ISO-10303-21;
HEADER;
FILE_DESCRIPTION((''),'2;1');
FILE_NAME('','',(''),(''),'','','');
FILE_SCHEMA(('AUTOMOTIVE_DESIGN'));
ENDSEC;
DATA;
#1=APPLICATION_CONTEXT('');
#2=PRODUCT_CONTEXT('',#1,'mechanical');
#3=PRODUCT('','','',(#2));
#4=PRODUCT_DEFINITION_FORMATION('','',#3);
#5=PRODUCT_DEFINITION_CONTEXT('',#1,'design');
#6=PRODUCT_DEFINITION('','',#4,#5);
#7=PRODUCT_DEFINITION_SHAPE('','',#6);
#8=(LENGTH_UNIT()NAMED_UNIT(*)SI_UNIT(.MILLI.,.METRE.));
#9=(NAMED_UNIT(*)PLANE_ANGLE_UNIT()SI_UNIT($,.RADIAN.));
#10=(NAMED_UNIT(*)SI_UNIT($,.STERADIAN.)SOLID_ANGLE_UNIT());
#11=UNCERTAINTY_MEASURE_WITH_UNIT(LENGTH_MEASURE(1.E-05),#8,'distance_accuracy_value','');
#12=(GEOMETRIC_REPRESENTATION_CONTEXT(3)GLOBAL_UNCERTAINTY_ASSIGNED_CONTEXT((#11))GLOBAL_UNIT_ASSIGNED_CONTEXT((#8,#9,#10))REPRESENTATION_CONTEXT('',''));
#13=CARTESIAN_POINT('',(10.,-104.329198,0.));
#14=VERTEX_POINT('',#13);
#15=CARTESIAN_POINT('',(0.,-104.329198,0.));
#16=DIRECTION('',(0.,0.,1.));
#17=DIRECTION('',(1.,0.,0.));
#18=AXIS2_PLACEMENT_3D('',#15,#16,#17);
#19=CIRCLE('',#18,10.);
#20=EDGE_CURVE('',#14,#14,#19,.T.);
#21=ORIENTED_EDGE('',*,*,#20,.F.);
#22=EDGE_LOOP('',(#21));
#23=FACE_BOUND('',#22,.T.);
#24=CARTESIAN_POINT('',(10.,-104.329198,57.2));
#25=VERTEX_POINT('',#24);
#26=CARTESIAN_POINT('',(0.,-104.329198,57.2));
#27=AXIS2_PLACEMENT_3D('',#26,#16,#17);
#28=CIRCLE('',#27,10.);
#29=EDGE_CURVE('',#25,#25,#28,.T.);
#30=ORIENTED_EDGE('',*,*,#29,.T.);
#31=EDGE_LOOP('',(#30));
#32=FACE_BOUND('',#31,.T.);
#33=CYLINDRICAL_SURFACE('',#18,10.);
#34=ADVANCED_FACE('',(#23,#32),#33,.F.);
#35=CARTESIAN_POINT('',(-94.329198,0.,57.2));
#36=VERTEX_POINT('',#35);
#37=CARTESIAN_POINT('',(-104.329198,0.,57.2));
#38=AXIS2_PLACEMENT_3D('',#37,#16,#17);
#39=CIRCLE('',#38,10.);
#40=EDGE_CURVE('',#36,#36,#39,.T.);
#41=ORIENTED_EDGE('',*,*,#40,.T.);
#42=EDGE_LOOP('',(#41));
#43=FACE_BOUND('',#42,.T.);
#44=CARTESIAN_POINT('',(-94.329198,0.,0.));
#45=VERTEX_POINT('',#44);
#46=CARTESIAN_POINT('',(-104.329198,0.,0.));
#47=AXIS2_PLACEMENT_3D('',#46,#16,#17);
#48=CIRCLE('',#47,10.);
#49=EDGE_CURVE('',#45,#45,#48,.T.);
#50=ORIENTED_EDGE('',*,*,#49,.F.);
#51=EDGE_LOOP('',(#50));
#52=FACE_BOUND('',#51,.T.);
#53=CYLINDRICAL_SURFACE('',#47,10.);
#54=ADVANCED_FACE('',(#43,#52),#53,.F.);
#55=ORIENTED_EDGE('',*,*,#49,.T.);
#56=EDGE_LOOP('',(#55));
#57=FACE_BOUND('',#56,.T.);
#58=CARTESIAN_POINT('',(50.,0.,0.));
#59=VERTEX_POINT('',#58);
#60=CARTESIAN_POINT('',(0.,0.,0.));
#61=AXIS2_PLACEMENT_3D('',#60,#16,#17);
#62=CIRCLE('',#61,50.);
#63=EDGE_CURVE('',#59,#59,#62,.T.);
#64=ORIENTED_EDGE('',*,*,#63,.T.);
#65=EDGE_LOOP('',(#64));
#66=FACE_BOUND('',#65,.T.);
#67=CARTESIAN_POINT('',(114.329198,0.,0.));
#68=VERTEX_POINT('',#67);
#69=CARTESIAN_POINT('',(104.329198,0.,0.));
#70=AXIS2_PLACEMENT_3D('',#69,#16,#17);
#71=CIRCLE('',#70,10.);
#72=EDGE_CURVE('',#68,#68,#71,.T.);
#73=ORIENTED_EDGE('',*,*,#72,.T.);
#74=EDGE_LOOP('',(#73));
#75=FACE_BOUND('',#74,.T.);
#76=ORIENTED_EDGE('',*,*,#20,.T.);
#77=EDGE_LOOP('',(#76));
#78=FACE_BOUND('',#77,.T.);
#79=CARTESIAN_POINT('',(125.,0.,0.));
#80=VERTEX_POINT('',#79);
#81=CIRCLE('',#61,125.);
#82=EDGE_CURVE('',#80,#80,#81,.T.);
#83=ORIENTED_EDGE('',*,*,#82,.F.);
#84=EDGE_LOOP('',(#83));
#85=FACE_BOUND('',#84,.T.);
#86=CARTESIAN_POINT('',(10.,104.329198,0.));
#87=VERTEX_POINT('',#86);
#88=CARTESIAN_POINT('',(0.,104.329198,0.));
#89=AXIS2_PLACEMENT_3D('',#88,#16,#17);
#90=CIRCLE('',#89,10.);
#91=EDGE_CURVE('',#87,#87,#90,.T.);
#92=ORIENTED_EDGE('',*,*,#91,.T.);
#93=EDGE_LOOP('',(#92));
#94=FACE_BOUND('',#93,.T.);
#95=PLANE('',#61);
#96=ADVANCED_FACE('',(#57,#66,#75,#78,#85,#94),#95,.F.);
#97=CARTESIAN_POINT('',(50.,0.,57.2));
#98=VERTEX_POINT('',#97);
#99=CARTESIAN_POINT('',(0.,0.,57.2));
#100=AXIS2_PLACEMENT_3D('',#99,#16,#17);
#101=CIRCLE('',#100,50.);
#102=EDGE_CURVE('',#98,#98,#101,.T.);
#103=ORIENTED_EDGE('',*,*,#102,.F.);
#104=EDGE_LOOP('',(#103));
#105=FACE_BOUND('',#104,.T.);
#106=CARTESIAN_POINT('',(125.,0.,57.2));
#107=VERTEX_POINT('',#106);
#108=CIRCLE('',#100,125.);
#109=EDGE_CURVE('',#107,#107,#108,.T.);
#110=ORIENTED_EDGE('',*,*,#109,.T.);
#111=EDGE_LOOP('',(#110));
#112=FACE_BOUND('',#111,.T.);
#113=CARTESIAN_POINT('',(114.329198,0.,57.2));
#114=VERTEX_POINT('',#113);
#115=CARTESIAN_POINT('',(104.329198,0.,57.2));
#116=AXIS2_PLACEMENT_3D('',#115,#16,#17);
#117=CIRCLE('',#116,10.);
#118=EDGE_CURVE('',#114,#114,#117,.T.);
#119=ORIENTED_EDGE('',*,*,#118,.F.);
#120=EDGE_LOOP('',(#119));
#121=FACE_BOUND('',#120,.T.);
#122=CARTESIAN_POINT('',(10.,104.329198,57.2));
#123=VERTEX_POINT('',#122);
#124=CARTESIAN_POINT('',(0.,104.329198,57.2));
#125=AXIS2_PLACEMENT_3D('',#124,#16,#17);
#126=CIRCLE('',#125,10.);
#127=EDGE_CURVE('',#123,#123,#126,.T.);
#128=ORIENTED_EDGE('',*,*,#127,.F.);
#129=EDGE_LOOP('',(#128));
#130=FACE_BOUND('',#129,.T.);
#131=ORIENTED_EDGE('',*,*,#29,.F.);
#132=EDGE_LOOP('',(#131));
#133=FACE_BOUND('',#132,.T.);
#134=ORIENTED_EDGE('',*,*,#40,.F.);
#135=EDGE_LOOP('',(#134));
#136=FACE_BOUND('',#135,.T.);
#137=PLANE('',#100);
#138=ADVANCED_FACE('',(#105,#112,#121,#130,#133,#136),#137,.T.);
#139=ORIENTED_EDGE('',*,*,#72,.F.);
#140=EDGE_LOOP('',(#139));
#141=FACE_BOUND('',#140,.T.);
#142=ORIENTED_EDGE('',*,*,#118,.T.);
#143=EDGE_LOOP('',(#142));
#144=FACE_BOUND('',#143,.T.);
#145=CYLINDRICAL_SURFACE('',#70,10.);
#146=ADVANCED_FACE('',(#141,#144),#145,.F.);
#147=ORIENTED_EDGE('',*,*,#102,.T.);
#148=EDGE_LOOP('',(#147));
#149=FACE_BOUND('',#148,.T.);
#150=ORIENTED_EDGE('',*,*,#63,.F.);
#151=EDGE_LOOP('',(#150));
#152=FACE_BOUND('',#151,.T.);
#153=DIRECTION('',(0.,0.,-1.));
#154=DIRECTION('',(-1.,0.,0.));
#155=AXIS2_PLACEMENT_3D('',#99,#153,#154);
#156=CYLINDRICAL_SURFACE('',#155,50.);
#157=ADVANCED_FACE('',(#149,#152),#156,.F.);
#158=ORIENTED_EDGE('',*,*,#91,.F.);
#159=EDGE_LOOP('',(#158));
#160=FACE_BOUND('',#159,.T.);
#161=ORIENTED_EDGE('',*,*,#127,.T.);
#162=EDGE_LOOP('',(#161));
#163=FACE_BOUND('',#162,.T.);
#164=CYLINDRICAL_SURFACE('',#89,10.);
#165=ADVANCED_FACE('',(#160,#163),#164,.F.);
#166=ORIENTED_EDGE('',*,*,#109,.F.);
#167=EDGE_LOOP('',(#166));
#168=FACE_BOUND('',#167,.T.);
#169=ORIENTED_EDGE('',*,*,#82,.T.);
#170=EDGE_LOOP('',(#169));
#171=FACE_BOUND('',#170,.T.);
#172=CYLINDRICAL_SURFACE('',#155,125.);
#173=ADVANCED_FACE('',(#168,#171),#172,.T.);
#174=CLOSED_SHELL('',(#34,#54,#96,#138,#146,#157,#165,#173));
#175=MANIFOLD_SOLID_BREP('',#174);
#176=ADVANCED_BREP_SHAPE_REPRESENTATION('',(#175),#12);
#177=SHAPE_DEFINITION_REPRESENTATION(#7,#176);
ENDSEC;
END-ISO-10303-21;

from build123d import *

# Parameters (mm, degrees)
SKETCH1_R           = 125
SKETCH1_R_2         = 50
BOSS_EXTRUDE1_DEPTH = 57.2
SKETCH2_R           = 10
CUT_EXTRUDE1_DEPTH  = 57.2


with BuildPart() as part:
    # Sketch1 → Boss-Extrude1 (new body)
    with BuildSketch(Plane.XY):
        Circle(SKETCH1_R)
        Circle(SKETCH1_R_2, mode=Mode.SUBTRACT)
    extrude(amount=BOSS_EXTRUDE1_DEPTH)

    # Sketch2 → Cut-Extrude1 (cut)
    with BuildSketch(Plane.XY.offset(57.2)):
        with Locations((-104.3291977, 0)):
            Circle(SKETCH2_R)
        with Locations((0, 104.3291977)):
            Circle(SKETCH2_R)
        with Locations((104.3291977, 0)):
            Circle(SKETCH2_R)
        with Locations((0, -104.3291977)):
            Circle(SKETCH2_R)
    extrude(amount=-CUT_EXTRUDE1_DEPTH, mode=Mode.SUBTRACT)


solid = part.part
